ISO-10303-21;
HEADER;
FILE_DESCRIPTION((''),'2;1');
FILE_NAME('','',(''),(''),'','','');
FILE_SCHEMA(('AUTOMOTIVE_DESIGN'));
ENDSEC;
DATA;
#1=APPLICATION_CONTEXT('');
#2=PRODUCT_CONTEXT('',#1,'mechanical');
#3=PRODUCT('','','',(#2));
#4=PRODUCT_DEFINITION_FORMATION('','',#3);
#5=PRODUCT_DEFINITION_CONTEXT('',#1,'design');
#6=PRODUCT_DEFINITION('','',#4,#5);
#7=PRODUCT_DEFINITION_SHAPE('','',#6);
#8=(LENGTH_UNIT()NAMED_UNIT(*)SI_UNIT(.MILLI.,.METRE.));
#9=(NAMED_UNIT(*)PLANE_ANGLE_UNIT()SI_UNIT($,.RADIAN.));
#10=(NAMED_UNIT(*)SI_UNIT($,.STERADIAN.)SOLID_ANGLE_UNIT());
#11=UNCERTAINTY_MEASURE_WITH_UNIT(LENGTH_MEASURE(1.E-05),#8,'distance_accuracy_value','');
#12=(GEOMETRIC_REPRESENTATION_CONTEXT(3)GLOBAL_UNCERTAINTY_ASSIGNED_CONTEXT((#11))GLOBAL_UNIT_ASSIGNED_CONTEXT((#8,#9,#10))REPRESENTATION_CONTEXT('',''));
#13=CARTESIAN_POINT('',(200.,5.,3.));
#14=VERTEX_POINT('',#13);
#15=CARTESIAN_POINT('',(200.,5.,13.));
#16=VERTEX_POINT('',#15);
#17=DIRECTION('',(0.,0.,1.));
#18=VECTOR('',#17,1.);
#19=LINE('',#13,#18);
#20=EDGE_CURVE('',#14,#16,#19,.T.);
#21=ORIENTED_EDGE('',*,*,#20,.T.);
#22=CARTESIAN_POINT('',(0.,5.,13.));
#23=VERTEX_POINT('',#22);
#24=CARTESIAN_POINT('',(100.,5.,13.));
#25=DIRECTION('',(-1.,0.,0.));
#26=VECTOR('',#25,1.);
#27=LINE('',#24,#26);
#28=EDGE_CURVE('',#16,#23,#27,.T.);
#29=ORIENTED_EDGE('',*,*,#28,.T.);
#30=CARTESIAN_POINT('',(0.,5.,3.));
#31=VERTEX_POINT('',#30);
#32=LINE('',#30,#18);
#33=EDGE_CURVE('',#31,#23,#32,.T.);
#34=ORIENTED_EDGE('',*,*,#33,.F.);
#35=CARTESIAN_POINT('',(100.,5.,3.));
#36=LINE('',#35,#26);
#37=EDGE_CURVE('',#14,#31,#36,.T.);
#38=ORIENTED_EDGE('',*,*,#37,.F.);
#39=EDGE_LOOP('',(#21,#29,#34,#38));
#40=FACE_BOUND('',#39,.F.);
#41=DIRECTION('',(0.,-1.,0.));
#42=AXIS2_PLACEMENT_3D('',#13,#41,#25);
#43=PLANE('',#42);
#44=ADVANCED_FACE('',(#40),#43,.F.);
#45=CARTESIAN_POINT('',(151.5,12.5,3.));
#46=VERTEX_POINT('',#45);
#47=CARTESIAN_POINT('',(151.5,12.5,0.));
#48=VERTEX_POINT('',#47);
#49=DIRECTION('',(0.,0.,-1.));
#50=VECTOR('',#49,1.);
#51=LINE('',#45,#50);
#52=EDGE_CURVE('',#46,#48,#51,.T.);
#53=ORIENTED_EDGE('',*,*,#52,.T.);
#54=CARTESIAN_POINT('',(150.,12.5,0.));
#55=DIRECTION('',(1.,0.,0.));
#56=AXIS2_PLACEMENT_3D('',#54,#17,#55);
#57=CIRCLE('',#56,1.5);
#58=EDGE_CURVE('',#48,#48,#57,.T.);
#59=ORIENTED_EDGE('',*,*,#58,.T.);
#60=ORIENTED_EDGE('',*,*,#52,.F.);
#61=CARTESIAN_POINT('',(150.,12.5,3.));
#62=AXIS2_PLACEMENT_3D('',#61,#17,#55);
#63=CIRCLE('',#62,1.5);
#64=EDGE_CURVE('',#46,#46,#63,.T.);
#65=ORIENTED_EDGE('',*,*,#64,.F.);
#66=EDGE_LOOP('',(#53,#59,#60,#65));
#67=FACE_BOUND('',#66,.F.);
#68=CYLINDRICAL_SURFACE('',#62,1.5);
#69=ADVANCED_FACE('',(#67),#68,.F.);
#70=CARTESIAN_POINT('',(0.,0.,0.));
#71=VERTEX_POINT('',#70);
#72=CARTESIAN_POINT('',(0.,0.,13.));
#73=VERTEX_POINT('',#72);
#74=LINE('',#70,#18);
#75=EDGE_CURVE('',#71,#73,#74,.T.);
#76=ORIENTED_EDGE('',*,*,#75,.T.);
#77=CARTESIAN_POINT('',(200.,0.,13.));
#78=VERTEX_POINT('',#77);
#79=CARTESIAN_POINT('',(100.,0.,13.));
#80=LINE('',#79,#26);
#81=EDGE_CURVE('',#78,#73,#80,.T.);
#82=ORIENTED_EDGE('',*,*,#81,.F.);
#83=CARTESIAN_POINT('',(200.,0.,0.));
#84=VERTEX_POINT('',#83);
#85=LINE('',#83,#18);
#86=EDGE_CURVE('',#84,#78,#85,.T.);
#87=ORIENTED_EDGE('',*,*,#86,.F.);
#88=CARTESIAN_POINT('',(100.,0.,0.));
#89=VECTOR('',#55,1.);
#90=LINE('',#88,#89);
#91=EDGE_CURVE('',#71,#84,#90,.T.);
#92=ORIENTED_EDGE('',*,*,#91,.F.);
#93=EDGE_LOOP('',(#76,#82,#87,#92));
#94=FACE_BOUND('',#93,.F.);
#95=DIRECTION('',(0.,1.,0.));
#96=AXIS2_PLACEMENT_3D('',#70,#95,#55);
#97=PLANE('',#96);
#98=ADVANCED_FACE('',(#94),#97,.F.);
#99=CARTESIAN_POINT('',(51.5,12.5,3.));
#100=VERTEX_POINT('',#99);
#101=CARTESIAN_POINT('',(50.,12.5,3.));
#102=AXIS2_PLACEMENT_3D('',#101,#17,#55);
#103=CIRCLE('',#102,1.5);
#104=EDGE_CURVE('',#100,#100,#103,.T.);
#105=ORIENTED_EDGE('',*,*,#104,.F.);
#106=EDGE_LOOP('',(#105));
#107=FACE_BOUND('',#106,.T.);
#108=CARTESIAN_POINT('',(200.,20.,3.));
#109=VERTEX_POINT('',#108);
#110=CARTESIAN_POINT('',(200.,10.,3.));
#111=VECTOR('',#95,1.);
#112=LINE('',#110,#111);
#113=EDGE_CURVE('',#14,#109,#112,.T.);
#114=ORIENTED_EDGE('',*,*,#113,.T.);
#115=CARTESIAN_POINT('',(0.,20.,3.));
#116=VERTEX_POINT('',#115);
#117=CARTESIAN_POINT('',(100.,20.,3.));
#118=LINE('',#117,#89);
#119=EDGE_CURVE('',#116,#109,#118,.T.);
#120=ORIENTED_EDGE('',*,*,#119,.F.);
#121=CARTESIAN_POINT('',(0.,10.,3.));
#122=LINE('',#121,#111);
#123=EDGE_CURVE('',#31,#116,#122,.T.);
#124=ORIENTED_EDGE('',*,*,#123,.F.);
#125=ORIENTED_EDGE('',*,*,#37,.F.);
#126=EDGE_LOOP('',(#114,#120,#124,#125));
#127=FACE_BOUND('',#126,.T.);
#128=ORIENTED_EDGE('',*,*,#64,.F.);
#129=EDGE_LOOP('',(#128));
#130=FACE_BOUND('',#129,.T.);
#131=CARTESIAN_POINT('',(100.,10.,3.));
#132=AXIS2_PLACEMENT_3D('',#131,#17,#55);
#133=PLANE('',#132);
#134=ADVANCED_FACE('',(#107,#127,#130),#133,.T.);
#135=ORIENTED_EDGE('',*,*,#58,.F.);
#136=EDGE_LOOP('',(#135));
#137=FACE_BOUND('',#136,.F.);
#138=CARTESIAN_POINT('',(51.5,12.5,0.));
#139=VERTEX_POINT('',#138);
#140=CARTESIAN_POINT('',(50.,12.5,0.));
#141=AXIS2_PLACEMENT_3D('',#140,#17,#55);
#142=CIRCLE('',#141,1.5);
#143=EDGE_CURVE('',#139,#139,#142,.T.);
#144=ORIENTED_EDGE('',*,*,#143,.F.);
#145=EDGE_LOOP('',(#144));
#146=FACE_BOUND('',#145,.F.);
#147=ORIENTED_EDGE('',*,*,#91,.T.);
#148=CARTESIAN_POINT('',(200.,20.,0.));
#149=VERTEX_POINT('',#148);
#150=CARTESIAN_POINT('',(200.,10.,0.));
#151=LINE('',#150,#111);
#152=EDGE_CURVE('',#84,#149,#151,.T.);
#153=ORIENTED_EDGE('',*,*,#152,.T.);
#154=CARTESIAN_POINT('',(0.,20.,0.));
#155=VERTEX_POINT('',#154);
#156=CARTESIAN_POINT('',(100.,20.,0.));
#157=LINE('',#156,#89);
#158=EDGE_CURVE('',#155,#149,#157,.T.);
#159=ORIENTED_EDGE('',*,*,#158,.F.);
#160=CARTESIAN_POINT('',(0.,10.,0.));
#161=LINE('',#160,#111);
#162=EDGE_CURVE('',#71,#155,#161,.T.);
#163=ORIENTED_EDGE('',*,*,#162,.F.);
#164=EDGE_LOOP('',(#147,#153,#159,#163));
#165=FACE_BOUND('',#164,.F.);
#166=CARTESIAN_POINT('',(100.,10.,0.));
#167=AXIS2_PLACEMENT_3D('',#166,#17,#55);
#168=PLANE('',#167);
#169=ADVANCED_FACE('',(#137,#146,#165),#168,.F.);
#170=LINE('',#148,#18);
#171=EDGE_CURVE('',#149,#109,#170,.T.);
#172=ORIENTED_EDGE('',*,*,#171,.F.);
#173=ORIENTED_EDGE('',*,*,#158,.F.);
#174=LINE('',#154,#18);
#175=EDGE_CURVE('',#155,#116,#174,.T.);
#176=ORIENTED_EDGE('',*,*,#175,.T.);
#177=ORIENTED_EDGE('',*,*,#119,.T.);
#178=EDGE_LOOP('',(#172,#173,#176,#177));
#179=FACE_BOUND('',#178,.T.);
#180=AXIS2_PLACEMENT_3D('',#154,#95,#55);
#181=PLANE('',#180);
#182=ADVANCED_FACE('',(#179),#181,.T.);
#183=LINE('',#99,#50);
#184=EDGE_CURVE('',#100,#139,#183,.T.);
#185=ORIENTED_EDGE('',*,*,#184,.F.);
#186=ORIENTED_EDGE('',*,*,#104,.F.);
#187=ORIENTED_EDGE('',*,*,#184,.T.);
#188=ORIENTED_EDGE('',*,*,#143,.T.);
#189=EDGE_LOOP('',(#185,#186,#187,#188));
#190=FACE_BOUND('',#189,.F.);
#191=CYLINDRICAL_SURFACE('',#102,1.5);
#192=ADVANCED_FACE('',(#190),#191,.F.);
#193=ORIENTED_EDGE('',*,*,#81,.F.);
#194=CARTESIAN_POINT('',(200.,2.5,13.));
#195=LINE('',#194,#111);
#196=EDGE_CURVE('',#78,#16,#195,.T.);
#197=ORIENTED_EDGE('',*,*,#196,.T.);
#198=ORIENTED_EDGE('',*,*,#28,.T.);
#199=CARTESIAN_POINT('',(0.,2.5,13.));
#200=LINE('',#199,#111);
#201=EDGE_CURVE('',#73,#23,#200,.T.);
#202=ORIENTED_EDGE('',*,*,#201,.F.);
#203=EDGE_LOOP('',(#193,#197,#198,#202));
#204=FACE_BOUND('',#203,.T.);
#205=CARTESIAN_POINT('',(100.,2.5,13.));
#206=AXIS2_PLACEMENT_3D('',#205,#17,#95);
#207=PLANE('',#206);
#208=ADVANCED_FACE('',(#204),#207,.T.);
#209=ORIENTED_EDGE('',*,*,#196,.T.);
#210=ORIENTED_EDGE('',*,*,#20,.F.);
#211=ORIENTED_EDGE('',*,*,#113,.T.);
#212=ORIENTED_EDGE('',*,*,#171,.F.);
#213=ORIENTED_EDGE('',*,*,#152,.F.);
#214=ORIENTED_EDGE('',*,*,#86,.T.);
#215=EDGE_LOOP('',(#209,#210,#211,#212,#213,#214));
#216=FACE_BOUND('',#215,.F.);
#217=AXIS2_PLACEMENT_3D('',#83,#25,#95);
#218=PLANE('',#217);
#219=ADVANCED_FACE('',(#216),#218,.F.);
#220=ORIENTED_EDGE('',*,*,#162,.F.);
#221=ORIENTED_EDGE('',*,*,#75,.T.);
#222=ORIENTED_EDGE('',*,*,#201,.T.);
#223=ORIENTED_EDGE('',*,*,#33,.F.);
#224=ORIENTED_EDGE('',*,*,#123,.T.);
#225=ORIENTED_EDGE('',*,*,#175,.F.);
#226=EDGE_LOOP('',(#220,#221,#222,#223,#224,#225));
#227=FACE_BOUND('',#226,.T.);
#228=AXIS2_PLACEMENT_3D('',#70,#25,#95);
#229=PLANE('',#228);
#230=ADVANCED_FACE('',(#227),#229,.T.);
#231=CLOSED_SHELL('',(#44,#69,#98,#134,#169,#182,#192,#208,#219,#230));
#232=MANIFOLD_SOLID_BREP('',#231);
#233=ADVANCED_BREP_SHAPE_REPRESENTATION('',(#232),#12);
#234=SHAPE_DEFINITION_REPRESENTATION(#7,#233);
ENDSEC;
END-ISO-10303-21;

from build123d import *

# Parameters (mm, degrees)
SKETCH002_R      = 1.5
EXTRUDE002_DEPTH = 10
SKETCH_W         = 200
SKETCH_H         = 20
EXTRUDE_DEPTH    = 3
FACE001_W        = 5
FACE001_H        = 200
EXTRUDE001_DEPTH = 10


with BuildPart() as extrude002:
    # Sketch002 (on Face6 of Extrude) → Extrude002 (new body)
    with BuildSketch(Plane.XY.offset(3)):
        with Locations((50, 12.5)):
            Circle(SKETCH002_R)
        with Locations((150, 12.5)):
            Circle(SKETCH002_R)
    extrude(amount=-EXTRUDE002_DEPTH)


with BuildPart() as cut:
    # Sketch → Extrude (new body)
    with BuildSketch(Plane.XY):
        with Locations((100, 10)):
            Rectangle(SKETCH_W, SKETCH_H)
    extrude(amount=EXTRUDE_DEPTH)

    # Cut: cut Extrude002
    add(extrude002.part, mode=Mode.SUBTRACT)


with BuildPart() as fusion:
    # Face001 → Extrude001 (new body)
    with BuildSketch(Plane(origin=(100, 2.5, 3), x_dir=(0, 1, 0), z_dir=(0, 0, 1))):
        Rectangle(FACE001_W, FACE001_H)
    extrude(amount=EXTRUDE001_DEPTH)

    # Fusion: union Cut
    add(cut.part)


solid = fusion.part
